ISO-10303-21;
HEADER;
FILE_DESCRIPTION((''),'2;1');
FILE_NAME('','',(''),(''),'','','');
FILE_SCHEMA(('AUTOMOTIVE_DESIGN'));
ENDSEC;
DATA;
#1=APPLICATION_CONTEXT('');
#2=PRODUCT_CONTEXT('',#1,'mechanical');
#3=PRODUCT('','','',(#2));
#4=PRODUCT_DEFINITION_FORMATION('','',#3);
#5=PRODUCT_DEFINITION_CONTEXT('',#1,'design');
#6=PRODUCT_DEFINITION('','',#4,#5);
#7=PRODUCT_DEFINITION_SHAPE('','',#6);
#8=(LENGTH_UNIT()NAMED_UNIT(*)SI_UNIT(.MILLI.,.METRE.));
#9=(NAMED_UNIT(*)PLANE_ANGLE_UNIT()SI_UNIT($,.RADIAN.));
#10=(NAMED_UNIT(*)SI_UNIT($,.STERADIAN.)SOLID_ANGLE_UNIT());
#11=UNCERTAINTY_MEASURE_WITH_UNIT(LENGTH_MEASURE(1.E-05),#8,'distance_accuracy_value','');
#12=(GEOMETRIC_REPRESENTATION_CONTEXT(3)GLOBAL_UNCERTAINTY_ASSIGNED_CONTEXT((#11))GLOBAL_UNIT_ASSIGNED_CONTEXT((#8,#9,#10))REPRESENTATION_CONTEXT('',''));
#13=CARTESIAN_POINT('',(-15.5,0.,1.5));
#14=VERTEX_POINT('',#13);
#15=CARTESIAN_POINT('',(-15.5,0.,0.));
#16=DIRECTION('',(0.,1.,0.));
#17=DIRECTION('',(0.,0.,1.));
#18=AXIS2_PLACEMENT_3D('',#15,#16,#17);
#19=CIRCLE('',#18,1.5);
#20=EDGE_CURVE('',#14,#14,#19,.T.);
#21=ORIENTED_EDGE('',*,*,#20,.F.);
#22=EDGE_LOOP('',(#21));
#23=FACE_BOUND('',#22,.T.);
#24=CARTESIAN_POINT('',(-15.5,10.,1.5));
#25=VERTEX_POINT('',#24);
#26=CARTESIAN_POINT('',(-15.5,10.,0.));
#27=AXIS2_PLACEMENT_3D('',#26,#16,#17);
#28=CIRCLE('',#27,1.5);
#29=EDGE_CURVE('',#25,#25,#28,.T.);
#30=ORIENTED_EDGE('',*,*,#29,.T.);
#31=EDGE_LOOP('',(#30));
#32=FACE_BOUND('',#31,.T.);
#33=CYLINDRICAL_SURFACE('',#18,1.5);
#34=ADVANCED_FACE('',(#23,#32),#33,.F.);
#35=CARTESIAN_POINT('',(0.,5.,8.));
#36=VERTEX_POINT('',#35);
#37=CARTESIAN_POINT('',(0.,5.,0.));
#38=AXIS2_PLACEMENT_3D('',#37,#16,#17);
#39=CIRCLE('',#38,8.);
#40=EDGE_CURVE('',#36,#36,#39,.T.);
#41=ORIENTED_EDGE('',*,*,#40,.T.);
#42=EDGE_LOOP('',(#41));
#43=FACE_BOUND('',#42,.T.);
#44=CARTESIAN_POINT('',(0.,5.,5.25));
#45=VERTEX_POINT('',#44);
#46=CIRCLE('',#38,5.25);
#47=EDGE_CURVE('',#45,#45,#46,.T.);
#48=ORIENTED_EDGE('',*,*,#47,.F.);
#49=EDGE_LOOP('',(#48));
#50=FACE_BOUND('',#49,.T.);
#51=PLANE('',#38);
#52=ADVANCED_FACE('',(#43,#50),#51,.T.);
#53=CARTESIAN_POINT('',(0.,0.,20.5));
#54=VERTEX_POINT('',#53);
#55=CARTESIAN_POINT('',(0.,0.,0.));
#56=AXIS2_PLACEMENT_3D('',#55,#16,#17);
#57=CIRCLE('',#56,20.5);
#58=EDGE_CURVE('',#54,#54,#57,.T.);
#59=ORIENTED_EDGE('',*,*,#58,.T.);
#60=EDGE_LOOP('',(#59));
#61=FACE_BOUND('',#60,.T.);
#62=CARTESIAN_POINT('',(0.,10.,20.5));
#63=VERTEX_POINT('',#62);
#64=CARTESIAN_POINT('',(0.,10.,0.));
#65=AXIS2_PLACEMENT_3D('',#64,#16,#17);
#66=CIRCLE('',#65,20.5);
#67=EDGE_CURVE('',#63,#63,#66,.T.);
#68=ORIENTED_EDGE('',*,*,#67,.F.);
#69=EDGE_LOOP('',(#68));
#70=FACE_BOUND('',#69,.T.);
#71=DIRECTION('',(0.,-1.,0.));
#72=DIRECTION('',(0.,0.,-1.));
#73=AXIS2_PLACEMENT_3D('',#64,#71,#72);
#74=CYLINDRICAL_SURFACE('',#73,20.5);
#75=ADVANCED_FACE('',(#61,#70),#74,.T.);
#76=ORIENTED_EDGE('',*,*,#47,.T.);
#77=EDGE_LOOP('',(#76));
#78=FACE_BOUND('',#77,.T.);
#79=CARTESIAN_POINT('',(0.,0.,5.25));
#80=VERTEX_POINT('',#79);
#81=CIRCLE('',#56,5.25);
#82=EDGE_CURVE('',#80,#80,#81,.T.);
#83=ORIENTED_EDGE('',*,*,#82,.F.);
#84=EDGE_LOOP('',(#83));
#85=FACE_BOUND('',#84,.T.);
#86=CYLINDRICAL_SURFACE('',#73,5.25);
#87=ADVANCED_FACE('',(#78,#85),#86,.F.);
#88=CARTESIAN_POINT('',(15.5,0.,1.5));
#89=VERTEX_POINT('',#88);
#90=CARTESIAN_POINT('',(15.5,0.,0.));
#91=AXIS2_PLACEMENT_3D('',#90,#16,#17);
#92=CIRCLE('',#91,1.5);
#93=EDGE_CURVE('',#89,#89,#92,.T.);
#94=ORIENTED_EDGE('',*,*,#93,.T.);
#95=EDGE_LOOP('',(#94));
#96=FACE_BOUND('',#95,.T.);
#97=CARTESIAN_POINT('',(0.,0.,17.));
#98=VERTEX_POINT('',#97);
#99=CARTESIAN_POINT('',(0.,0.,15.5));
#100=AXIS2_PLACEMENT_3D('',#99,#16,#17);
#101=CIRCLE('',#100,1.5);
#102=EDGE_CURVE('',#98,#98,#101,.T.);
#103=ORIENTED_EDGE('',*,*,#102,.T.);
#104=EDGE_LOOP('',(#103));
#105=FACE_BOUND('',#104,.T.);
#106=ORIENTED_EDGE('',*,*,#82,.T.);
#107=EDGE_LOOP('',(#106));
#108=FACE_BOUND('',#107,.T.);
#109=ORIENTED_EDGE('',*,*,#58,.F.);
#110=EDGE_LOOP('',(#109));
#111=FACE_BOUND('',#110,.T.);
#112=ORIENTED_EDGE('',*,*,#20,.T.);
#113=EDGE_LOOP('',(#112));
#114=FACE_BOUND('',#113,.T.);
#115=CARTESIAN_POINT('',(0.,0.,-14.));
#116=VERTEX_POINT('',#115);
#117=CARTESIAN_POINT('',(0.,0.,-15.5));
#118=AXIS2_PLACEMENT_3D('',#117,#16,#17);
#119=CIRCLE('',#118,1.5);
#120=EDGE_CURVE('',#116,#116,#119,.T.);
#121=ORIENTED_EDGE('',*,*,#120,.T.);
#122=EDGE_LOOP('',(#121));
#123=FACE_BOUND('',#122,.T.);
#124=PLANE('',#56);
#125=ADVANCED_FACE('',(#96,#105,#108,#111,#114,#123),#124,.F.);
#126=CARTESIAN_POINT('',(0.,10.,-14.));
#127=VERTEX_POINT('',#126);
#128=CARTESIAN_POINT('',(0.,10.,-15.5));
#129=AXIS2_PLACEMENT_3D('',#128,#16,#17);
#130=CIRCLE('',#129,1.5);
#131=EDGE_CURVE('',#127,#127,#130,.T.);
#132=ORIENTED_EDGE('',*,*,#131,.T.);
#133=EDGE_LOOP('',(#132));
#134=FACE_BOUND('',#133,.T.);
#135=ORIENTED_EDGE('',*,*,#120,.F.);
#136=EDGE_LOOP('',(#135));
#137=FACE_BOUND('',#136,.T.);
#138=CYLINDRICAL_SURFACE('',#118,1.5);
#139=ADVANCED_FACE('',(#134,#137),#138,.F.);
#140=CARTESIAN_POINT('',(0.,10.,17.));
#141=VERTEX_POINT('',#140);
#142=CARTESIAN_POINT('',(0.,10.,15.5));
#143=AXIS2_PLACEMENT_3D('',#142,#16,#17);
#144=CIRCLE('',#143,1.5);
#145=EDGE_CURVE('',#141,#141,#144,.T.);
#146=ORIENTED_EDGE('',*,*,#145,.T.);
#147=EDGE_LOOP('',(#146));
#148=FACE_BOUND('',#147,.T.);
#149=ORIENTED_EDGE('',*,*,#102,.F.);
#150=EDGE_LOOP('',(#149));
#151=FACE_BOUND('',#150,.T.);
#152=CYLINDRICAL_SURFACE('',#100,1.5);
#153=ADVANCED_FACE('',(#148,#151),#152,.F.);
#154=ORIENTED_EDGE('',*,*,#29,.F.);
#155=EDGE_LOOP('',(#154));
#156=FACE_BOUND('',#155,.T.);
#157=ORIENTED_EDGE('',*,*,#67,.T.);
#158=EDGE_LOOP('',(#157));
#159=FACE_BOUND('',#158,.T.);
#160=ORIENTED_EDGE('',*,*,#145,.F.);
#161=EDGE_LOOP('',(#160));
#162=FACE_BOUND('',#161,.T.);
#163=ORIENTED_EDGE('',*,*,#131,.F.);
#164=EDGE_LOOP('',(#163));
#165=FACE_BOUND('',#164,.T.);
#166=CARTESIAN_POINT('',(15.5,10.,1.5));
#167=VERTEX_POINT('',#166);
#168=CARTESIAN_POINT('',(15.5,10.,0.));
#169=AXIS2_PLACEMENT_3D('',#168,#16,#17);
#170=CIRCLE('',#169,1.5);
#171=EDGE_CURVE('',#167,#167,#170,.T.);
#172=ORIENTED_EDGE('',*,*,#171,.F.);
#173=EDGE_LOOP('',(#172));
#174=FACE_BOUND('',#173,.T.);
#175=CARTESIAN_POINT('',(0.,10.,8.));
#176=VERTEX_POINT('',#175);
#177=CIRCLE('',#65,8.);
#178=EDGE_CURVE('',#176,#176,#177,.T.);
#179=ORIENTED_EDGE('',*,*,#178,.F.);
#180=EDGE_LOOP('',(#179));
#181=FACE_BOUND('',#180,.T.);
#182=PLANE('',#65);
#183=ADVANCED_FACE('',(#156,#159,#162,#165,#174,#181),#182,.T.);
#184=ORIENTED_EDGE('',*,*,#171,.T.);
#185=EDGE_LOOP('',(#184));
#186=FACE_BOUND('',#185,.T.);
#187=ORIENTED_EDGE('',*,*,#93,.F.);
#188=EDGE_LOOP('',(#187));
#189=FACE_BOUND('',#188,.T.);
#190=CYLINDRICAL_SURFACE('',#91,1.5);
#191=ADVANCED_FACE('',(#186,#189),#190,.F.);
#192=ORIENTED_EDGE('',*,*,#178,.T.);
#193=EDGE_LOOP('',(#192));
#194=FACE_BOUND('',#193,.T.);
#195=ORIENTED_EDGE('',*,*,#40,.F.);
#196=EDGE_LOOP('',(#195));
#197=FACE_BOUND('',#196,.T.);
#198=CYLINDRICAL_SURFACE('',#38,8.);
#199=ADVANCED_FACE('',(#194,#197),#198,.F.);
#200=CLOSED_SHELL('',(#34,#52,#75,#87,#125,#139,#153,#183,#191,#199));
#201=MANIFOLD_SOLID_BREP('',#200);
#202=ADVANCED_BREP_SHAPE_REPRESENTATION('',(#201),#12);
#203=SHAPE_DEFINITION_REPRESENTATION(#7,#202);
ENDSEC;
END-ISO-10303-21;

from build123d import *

# Parameters (mm, degrees)
SKETCH1_R           = 20.5
SKETCH1_R_2         = 5.25
BOSS_EXTRUDE1_DEPTH = 10
SKETCH2_R           = 8
CUT_EXTRUDE1_DEPTH  = 5
SKETCH5_R           = 1.5
CUT_EXTRUDE2_DEPTH  = 10


with BuildPart() as part:
    # Sketch1 → Boss-Extrude1 (new body)
    with BuildSketch(Plane(origin=(0, 0, 0), x_dir=(1, 0, 0), z_dir=(0, 1, 0))):
        with Locations(Location((0, 0, 0), (0, 0, 270))):
            Circle(SKETCH1_R)
        with Locations(Location((0, 0, 0), (0, 0, 270))):
            Circle(SKETCH1_R_2, mode=Mode.SUBTRACT)
    extrude(amount=BOSS_EXTRUDE1_DEPTH)

    # Sketch2 → Cut-Extrude1 (cut)
    with BuildSketch(Plane(origin=(0, 10, 0), x_dir=(1, 0, 0), z_dir=(0, 1, 0))):
        with Locations(Location((0, 0, 0), (0, 0, 270))):
            Circle(SKETCH2_R)
    extrude(amount=-CUT_EXTRUDE1_DEPTH, mode=Mode.SUBTRACT)

    # Sketch5 → Cut-Extrude2 (cut)
    with BuildSketch(Plane(origin=(0, 10, 0), x_dir=(1, 0, 0), z_dir=(0, 1, 0))):
        with Locations(Location((0, 15.5, 0), (0, 0, 270))):
            Circle(SKETCH5_R)
        with Locations(Location((15.5, 0, 0), (0, 0, 270))):
            Circle(SKETCH5_R)
        with Locations(Location((0, -15.5, 0), (0, 0, 270))):
            Circle(SKETCH5_R)
        with Locations(Location((-15.5, 0, 0), (0, 0, 270))):
            Circle(SKETCH5_R)
    extrude(amount=-CUT_EXTRUDE2_DEPTH, mode=Mode.SUBTRACT)


solid = part.part
